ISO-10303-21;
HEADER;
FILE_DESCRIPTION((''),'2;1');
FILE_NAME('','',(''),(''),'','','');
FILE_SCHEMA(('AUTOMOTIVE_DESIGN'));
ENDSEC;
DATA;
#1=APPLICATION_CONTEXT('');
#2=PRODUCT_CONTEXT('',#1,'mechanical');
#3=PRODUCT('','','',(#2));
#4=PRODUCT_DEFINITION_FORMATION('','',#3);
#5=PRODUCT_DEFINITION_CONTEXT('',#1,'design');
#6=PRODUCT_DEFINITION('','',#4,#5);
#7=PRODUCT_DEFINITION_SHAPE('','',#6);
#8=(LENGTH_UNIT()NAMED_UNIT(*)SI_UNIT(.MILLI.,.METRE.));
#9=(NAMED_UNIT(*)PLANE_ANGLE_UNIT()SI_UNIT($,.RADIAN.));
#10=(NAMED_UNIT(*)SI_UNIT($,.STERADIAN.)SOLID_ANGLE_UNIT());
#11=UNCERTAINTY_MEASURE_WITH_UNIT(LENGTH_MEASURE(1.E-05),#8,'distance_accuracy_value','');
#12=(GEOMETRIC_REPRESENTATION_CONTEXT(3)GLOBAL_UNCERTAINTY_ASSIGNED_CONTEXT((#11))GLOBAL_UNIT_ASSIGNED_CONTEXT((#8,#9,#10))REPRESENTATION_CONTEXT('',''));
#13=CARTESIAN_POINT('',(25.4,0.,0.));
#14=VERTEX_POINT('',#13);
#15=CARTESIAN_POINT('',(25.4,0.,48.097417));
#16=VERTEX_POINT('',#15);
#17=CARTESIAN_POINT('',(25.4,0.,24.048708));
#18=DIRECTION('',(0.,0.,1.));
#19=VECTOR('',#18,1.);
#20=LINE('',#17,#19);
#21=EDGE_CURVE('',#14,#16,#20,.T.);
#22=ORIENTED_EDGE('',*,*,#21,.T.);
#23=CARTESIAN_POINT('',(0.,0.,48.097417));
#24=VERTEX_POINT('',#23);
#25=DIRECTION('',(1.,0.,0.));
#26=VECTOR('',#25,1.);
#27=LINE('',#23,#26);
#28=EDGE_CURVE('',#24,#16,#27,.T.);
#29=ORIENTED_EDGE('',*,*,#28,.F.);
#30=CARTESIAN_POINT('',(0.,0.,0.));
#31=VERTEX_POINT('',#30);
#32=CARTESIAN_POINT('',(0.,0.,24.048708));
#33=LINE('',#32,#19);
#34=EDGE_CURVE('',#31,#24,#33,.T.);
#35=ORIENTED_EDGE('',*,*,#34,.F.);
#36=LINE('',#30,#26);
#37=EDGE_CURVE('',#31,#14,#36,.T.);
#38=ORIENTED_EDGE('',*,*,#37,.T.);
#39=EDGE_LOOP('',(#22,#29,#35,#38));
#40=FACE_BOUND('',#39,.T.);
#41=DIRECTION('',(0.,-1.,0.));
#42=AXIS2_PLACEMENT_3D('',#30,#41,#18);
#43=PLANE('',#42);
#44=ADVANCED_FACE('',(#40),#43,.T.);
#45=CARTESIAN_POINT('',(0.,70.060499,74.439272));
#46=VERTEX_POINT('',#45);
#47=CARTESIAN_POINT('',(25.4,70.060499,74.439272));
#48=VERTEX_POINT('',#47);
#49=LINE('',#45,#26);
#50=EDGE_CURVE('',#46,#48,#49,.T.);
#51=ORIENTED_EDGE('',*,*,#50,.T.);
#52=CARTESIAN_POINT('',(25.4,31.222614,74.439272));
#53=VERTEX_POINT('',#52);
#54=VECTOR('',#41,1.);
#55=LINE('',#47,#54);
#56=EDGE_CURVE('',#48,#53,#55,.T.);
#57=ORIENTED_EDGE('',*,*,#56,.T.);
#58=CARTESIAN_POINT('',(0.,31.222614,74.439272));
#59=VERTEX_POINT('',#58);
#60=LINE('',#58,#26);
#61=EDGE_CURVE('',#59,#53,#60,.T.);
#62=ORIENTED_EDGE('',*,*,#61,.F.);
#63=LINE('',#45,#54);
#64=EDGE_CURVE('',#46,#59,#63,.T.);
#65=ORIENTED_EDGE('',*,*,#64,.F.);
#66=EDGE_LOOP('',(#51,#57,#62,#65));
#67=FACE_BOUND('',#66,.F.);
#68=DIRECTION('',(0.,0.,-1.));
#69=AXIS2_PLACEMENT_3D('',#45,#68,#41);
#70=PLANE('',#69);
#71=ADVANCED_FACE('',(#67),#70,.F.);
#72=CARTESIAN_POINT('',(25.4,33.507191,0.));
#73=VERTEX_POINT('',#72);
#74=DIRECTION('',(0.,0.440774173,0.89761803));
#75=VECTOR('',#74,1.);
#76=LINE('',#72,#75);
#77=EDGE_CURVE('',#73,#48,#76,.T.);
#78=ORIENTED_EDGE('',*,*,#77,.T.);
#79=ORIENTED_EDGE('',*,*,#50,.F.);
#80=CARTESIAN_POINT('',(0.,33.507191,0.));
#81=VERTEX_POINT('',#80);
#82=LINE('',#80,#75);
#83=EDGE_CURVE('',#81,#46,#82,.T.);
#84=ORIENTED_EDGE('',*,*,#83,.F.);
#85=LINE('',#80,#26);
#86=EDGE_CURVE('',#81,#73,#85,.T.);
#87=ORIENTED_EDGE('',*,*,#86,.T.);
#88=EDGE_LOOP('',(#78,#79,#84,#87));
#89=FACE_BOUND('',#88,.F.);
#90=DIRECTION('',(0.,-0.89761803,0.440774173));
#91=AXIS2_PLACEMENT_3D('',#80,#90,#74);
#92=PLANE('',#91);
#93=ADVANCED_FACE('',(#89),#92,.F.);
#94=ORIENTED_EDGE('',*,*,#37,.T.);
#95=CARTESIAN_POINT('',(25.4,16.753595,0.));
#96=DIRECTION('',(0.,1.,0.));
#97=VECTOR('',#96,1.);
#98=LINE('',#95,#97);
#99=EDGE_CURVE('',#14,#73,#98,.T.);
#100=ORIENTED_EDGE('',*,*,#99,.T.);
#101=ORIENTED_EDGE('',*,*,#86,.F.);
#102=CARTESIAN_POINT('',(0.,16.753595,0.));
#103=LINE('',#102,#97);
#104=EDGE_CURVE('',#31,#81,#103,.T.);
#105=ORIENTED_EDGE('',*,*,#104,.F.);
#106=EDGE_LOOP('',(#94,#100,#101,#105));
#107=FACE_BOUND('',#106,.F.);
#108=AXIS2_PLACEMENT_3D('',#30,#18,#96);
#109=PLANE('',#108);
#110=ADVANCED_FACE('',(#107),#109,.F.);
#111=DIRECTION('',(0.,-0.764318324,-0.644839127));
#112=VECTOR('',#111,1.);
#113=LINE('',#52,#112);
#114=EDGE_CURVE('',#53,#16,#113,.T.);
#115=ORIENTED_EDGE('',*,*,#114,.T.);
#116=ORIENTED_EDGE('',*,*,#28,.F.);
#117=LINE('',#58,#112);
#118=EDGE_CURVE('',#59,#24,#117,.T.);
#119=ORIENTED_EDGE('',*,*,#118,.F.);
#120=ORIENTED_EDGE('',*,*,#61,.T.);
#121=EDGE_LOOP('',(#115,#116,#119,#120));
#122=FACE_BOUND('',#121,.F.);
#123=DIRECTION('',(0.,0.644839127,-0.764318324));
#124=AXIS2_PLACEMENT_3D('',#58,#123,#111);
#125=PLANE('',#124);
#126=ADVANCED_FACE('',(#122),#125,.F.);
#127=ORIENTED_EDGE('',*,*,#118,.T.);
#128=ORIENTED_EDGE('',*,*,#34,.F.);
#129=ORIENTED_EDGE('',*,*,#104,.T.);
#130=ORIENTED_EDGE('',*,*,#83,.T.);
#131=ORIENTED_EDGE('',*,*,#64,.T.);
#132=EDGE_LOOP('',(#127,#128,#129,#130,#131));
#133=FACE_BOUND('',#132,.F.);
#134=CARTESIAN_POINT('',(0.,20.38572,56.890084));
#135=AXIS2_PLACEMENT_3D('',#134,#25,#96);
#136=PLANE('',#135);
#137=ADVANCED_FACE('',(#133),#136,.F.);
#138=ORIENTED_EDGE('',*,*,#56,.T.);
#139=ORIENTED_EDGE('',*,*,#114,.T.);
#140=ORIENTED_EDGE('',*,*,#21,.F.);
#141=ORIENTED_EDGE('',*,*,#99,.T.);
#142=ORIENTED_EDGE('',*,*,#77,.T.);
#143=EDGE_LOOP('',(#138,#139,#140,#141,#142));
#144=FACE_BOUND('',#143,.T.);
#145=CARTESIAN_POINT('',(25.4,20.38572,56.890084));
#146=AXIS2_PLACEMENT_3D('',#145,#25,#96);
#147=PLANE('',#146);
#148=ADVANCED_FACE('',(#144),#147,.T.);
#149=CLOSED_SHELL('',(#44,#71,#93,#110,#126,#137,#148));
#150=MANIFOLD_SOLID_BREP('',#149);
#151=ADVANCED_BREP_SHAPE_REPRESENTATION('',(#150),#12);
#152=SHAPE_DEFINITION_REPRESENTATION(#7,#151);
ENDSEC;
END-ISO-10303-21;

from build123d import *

# Parameters (mm, degrees)
F0_W     = 33.5071906447
F0_H     = 48.0974167585
F1_DEPTH = 25.4


with BuildPart() as f1:
    # F0 (on Right) → F1 (new body)
    with BuildSketch(Plane.YZ):
        Polygon((31.2226135284, 74.4392722845), (0, 48.0974167585), (33.5071906447, 48.0974167585), align=None)
        Polygon((31.2226135284, 74.4392722845), (33.5071906447, 48.0974167585), (70.0604990125, 74.4392722845), align=None)
        Polygon((33.5071906447, 48.0974167585), (33.5071906447, 0), (70.0604990125, 74.4392722845), align=None)
        with Locations((16.7535953224, 24.0487083793)):
            Rectangle(F0_W, F0_H)
    extrude(amount=F1_DEPTH)


solid = f1.part
